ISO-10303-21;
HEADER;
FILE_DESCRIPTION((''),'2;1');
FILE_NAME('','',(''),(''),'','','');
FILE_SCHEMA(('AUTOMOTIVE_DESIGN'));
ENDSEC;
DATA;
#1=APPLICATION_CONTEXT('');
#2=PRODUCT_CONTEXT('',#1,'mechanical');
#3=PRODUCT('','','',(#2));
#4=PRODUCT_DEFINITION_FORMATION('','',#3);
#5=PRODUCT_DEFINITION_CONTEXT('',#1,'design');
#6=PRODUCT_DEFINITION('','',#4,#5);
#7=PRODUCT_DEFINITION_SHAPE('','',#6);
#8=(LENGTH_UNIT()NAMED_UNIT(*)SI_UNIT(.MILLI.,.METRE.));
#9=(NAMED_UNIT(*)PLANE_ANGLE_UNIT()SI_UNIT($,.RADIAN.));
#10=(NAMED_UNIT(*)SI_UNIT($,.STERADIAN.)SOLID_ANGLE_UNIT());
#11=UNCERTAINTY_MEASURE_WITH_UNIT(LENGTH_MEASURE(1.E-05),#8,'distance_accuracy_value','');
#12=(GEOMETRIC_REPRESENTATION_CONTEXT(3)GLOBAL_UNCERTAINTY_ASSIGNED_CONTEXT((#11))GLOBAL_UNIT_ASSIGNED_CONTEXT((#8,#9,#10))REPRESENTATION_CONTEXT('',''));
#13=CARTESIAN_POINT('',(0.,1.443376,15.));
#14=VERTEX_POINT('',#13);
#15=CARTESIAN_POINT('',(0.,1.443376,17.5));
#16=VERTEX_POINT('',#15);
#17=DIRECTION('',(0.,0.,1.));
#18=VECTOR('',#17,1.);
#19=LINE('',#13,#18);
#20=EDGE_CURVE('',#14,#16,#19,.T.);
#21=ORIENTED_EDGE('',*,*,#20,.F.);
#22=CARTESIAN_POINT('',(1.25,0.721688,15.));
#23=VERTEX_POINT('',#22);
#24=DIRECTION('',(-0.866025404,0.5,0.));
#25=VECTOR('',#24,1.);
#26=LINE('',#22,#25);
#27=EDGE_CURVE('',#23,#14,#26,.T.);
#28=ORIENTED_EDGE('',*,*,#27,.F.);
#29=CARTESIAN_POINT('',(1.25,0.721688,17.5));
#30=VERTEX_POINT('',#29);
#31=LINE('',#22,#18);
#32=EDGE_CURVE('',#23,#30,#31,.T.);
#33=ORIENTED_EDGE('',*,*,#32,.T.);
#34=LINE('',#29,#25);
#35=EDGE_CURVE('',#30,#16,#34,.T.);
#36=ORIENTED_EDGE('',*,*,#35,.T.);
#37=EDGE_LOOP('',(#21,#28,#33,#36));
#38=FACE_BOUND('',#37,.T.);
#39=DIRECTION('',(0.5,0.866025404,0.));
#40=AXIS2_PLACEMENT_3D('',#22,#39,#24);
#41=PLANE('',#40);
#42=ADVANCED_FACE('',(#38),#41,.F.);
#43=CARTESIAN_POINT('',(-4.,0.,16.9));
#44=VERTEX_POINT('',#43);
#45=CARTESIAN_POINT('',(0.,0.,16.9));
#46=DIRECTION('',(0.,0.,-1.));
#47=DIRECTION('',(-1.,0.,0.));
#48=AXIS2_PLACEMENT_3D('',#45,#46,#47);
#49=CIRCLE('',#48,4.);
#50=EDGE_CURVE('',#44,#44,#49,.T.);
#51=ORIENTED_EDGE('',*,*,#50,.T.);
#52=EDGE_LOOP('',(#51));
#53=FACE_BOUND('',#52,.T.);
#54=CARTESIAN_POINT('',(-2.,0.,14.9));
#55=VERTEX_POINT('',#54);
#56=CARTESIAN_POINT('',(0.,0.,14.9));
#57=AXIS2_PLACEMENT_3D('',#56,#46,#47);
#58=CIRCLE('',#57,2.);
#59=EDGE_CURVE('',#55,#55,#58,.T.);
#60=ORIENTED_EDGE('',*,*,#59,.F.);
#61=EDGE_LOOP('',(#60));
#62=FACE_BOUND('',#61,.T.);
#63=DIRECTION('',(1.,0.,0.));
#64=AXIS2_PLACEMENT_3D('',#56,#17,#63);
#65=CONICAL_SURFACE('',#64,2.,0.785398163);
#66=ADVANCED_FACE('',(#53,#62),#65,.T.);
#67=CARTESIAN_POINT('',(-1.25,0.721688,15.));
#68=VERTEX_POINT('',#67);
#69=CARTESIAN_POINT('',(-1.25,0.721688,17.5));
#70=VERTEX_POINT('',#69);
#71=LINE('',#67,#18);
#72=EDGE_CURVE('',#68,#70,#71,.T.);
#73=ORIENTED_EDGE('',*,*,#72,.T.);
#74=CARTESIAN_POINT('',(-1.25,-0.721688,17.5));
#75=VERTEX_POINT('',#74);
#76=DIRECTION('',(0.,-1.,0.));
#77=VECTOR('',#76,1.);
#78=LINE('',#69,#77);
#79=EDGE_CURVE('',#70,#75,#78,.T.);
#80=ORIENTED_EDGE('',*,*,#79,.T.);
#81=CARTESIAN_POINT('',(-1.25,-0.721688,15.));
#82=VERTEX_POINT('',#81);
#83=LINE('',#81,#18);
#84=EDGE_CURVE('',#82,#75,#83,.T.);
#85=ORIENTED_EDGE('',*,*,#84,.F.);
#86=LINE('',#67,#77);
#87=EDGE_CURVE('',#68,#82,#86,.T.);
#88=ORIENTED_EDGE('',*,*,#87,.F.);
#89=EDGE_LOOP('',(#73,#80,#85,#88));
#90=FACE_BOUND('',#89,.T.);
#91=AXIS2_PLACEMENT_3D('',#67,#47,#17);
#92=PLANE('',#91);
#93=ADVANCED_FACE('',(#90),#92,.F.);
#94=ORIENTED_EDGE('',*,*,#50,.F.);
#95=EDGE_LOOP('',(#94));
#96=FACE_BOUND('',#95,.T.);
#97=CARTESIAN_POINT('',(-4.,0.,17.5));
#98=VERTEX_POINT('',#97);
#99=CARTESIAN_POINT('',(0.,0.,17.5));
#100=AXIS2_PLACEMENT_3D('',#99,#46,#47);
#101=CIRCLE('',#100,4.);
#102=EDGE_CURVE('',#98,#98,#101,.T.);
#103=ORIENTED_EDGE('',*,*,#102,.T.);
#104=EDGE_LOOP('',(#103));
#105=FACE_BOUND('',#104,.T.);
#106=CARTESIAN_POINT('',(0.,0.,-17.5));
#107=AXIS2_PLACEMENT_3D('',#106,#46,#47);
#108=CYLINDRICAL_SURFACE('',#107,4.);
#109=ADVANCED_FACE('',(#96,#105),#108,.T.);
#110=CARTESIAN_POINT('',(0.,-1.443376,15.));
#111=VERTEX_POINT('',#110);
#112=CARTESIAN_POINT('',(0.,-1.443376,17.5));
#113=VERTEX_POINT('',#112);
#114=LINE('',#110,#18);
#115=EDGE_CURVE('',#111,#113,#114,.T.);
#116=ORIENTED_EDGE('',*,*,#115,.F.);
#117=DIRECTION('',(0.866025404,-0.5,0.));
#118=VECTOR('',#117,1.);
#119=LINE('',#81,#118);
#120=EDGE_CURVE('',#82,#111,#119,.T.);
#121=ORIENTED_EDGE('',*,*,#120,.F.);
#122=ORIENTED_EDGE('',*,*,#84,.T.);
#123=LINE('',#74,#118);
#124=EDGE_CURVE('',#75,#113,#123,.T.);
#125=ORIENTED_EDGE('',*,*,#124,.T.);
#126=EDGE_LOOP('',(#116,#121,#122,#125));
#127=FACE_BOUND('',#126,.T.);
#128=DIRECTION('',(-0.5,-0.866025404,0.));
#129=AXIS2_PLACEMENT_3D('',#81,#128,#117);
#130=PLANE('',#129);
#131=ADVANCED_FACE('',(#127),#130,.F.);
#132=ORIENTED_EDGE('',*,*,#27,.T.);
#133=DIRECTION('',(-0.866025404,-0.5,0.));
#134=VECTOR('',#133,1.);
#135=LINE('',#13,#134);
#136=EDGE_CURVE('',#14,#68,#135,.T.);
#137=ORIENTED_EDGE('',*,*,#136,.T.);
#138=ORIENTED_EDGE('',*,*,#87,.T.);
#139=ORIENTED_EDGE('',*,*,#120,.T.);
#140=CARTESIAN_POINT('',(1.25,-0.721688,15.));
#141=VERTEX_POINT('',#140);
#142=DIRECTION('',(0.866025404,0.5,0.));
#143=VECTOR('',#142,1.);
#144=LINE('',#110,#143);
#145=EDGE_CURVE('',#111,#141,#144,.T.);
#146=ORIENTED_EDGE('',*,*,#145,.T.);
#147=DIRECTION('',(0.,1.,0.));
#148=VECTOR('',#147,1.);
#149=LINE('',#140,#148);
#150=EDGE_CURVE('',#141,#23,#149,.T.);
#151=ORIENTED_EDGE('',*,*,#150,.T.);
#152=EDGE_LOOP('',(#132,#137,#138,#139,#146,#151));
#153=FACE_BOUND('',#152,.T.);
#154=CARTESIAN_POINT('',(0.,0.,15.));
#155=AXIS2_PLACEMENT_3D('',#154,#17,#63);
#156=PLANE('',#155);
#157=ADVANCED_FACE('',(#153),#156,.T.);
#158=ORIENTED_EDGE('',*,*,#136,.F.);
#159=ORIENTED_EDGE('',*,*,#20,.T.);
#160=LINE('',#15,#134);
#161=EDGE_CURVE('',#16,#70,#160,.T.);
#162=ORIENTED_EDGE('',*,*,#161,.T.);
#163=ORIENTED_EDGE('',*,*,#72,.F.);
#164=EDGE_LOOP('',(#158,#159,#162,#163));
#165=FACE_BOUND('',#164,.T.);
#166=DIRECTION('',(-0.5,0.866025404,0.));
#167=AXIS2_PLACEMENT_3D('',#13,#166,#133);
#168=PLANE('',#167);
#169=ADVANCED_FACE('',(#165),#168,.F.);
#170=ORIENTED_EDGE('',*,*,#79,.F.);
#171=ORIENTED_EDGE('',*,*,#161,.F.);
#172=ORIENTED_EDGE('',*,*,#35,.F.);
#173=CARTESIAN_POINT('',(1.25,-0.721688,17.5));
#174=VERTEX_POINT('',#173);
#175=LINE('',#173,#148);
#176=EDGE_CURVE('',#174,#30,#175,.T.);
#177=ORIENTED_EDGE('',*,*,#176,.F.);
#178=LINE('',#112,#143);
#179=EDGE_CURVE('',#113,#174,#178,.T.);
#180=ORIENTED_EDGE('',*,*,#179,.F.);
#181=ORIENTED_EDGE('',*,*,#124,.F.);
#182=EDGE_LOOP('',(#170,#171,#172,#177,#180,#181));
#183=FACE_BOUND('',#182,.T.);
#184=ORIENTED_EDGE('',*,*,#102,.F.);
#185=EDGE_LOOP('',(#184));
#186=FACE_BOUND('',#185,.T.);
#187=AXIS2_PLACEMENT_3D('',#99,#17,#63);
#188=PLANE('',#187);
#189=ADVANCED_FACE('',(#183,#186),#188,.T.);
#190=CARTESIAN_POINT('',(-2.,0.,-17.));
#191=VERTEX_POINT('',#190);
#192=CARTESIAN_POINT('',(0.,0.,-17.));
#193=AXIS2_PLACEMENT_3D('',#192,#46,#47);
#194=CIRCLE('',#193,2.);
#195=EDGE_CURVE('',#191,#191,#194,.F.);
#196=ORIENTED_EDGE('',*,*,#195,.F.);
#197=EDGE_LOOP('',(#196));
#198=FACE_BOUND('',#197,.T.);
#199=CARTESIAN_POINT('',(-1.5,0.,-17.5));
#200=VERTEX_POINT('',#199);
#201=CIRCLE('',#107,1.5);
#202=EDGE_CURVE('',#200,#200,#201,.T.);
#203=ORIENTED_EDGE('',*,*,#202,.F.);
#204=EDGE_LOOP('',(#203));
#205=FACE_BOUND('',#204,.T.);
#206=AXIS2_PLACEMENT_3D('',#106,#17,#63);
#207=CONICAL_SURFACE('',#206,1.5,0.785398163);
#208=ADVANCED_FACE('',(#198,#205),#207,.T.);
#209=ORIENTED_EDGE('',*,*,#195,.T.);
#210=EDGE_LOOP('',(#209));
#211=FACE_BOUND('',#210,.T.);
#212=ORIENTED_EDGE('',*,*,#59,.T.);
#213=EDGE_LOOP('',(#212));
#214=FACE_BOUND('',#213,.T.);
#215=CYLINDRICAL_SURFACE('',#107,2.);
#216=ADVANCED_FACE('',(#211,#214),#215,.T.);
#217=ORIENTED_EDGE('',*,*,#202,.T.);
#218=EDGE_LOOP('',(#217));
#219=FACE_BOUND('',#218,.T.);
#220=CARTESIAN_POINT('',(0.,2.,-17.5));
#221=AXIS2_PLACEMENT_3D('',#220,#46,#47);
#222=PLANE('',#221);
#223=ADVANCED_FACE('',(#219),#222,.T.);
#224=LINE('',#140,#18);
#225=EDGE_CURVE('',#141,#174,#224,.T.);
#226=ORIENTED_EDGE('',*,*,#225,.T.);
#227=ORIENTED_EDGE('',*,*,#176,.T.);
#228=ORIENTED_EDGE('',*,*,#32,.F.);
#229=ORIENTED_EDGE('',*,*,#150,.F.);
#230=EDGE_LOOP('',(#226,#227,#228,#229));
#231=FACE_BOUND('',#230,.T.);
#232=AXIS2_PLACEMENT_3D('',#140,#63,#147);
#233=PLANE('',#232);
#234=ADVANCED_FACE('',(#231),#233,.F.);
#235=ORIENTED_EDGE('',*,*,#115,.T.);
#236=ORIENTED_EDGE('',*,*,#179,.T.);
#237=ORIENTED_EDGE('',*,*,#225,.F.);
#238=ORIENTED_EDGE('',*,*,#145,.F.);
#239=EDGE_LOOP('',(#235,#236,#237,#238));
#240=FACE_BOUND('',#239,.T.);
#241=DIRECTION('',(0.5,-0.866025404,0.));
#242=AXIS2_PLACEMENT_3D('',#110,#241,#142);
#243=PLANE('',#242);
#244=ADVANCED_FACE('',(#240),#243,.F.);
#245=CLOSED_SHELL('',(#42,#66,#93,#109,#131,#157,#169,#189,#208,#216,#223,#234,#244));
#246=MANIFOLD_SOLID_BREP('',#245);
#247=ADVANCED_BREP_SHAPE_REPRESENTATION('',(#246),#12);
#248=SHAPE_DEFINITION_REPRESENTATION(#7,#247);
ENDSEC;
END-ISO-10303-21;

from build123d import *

# Parameters (mm, degrees)
CHAMFER_1_SIZE      = 0.5
CUT_EXTRUDE_1_DEPTH = 2.5


with BuildPart() as part:
    # 草图1 → 旋转1 (revolve)
    with BuildSketch(Plane(origin=(0, 0, 0), x_dir=(0, 0, -1), z_dir=(1, 0, 0)), mode=Mode.PRIVATE) as revolve_1_sk:
        Polygon((-17.5, 0), (-17.5, 4), (-16.9, 4), (-14.9, 2), (17.5, 2), (17.5, 0), align=None)
    revolve(revolve_1_sk.sketch.rotate(Axis((0, 0, -17.5), (0, 0, 1)), 90), axis=Axis((0, 0, -17.5), (0, 0, 1)))

    # 倒角1
    chamfer_1_edges = [part.edges().sort_by_distance(p)[0] for p in [
        (2, 0, -17.5),
    ]]
    chamfer(chamfer_1_edges, length=CHAMFER_1_SIZE)

    # 草图2 → 切除-拉伸1 (cut)
    with BuildSketch(Plane.XY.offset(17.5)):
        Polygon((0, 1.443375673), (-1.25, 0.721687836), (-1.25, -0.721687836), (0, -1.443375673), (1.25, -0.721687836), (1.25, 0.721687836), align=None)
    extrude(amount=-CUT_EXTRUDE_1_DEPTH, mode=Mode.SUBTRACT)


solid = part.part
